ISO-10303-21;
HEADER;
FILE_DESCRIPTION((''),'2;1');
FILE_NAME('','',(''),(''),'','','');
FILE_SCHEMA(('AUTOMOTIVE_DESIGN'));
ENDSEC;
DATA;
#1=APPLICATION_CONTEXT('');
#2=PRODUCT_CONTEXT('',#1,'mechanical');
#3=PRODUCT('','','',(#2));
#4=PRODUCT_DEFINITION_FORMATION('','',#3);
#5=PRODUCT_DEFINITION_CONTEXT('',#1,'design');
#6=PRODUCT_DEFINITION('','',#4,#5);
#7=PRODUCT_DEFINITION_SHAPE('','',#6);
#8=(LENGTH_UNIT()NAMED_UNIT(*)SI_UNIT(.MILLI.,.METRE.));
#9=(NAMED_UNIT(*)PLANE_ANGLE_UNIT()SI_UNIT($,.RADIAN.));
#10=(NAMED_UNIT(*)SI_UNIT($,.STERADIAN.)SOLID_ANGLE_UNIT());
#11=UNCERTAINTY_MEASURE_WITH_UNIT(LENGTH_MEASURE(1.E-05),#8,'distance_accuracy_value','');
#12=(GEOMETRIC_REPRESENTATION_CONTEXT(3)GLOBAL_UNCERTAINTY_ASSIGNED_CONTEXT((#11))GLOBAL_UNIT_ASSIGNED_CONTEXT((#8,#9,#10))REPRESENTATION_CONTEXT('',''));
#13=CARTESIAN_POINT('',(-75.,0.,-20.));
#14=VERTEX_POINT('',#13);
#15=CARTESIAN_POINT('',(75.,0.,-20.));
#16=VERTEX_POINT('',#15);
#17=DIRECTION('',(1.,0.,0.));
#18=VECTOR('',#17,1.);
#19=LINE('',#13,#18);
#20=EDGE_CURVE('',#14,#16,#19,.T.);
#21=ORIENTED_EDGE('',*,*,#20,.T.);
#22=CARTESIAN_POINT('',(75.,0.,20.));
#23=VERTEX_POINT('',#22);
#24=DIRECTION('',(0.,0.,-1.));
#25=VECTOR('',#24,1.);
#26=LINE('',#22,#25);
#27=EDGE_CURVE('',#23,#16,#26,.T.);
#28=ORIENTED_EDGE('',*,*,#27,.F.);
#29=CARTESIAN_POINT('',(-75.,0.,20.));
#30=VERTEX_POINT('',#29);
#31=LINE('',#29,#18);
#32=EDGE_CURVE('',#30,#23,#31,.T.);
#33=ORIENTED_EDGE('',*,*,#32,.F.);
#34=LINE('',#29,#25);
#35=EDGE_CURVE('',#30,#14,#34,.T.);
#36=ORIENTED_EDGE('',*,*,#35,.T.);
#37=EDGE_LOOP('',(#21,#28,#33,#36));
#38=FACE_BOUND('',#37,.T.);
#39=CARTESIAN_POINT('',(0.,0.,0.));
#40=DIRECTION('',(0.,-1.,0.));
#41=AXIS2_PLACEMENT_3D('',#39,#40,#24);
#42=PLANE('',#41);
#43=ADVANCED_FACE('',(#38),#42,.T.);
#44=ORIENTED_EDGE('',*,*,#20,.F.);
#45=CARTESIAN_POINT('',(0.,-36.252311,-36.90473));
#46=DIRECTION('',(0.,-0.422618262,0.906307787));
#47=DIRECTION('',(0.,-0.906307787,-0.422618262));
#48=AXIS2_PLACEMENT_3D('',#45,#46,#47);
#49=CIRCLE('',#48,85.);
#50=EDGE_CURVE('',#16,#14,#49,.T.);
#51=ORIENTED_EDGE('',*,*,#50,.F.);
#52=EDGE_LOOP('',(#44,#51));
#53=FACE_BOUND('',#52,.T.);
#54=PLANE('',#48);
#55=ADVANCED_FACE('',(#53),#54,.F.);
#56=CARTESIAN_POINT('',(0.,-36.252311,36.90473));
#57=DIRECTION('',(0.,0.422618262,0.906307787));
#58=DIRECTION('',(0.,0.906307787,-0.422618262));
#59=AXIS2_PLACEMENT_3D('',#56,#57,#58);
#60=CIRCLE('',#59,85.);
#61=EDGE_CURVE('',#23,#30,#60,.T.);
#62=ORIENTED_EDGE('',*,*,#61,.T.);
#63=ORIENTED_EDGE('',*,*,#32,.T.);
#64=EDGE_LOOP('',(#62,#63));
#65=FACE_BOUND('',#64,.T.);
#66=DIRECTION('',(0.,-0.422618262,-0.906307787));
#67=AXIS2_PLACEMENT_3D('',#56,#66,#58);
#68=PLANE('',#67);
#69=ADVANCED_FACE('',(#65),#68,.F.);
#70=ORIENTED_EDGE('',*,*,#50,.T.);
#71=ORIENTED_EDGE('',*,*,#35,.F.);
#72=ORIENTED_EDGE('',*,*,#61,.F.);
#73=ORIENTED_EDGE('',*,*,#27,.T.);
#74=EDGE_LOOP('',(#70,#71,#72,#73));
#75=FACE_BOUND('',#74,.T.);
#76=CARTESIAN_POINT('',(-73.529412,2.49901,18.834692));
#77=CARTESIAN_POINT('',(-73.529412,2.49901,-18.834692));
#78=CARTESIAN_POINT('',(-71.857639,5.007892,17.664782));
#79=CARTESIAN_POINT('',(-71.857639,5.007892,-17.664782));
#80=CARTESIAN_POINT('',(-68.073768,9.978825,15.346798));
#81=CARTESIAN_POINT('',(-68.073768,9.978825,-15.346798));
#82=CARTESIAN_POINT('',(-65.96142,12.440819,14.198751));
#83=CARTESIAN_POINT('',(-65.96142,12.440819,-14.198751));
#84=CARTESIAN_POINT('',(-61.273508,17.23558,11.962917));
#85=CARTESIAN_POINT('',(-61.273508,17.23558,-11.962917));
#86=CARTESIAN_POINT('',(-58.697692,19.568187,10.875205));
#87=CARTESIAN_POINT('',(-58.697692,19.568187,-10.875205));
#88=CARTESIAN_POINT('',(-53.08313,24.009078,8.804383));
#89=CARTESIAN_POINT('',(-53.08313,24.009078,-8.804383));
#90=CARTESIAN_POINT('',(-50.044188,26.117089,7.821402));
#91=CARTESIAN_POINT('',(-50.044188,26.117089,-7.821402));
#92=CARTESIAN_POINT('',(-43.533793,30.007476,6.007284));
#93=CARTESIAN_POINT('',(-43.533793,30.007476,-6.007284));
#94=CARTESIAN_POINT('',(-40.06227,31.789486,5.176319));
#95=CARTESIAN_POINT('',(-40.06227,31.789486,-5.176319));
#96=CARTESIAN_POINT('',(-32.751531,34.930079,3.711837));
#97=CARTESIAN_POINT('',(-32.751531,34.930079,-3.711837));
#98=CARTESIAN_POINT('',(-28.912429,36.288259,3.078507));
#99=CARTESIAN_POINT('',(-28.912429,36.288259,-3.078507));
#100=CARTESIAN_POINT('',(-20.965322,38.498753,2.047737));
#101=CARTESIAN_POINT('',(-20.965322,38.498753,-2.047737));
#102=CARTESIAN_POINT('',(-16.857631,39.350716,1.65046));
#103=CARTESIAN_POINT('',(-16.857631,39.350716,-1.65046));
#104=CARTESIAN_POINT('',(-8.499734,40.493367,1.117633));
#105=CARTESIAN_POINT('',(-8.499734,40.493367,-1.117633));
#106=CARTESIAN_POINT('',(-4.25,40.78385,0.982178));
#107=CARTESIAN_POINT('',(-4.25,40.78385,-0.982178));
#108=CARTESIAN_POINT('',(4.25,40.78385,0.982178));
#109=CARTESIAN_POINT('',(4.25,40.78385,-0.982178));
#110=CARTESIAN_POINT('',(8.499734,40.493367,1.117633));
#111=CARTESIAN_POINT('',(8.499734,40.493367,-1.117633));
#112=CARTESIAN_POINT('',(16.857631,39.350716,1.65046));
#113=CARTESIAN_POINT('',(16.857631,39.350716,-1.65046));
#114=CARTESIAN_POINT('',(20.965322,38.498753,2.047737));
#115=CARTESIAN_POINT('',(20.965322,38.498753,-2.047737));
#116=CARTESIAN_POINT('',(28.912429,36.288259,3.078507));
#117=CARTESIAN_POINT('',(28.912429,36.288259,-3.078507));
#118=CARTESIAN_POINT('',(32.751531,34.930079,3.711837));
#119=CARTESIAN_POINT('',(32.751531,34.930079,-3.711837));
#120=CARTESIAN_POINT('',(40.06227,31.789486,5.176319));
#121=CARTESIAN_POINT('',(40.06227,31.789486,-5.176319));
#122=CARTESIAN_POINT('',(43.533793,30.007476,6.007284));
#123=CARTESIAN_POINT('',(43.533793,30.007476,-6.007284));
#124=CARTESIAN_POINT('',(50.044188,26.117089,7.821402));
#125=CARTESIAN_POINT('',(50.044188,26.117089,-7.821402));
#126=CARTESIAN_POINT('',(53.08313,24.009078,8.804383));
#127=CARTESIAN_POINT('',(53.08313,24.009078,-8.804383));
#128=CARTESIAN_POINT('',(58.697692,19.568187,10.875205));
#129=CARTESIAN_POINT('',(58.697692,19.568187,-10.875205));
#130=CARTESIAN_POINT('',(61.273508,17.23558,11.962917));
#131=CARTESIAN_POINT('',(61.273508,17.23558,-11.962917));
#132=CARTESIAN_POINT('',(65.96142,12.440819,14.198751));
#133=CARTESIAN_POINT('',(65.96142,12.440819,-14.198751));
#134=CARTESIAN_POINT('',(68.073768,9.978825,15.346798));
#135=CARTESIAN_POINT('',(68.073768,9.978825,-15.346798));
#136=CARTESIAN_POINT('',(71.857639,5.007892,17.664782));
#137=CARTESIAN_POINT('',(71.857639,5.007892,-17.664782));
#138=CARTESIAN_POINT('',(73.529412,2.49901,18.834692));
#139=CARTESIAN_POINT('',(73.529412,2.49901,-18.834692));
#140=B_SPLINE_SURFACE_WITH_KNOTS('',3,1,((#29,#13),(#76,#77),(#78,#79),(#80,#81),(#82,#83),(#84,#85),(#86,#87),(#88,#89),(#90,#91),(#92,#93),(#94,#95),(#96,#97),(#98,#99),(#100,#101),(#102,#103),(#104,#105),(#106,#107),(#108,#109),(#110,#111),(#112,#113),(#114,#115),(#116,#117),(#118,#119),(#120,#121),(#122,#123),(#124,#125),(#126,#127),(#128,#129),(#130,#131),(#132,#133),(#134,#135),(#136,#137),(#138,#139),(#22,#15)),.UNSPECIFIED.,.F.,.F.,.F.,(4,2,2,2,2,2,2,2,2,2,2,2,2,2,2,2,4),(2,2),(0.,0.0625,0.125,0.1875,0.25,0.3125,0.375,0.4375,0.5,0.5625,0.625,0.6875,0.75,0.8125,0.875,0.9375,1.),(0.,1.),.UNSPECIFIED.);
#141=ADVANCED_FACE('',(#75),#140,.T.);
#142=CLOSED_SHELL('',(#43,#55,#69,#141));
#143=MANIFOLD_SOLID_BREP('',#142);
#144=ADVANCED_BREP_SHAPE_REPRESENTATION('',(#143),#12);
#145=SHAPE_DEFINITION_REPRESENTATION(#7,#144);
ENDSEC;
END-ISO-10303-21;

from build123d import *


with BuildPart() as part:
    # Skizze2 → Ausformung1 section 0
    with BuildSketch(Plane(origin=(0, 7.660444431, 16.427876097), x_dir=(1, 0, 0), z_dir=(0, 0.422618262, 0.906307787))):
        with BuildLine():
            Line((-75, -8.452365235), (75, -8.452365235))
            ThreePointArc((75, -8.452365235), (0, 36.547634765), (-75, -8.452365235))
        make_face()
    # Skizze3 → Ausformung1 section 1
    with BuildSketch(Plane(origin=(0, 7.660444431, -16.427876097), x_dir=(1, 0, 0), z_dir=(0, -0.422618262, 0.906307787))):
        with BuildLine():
            Line((-75, -8.452365235), (75, -8.452365235))
            ThreePointArc((75, -8.452365235), (0, 36.547634765), (-75, -8.452365235))
        make_face()
    loft()


solid = part.part
